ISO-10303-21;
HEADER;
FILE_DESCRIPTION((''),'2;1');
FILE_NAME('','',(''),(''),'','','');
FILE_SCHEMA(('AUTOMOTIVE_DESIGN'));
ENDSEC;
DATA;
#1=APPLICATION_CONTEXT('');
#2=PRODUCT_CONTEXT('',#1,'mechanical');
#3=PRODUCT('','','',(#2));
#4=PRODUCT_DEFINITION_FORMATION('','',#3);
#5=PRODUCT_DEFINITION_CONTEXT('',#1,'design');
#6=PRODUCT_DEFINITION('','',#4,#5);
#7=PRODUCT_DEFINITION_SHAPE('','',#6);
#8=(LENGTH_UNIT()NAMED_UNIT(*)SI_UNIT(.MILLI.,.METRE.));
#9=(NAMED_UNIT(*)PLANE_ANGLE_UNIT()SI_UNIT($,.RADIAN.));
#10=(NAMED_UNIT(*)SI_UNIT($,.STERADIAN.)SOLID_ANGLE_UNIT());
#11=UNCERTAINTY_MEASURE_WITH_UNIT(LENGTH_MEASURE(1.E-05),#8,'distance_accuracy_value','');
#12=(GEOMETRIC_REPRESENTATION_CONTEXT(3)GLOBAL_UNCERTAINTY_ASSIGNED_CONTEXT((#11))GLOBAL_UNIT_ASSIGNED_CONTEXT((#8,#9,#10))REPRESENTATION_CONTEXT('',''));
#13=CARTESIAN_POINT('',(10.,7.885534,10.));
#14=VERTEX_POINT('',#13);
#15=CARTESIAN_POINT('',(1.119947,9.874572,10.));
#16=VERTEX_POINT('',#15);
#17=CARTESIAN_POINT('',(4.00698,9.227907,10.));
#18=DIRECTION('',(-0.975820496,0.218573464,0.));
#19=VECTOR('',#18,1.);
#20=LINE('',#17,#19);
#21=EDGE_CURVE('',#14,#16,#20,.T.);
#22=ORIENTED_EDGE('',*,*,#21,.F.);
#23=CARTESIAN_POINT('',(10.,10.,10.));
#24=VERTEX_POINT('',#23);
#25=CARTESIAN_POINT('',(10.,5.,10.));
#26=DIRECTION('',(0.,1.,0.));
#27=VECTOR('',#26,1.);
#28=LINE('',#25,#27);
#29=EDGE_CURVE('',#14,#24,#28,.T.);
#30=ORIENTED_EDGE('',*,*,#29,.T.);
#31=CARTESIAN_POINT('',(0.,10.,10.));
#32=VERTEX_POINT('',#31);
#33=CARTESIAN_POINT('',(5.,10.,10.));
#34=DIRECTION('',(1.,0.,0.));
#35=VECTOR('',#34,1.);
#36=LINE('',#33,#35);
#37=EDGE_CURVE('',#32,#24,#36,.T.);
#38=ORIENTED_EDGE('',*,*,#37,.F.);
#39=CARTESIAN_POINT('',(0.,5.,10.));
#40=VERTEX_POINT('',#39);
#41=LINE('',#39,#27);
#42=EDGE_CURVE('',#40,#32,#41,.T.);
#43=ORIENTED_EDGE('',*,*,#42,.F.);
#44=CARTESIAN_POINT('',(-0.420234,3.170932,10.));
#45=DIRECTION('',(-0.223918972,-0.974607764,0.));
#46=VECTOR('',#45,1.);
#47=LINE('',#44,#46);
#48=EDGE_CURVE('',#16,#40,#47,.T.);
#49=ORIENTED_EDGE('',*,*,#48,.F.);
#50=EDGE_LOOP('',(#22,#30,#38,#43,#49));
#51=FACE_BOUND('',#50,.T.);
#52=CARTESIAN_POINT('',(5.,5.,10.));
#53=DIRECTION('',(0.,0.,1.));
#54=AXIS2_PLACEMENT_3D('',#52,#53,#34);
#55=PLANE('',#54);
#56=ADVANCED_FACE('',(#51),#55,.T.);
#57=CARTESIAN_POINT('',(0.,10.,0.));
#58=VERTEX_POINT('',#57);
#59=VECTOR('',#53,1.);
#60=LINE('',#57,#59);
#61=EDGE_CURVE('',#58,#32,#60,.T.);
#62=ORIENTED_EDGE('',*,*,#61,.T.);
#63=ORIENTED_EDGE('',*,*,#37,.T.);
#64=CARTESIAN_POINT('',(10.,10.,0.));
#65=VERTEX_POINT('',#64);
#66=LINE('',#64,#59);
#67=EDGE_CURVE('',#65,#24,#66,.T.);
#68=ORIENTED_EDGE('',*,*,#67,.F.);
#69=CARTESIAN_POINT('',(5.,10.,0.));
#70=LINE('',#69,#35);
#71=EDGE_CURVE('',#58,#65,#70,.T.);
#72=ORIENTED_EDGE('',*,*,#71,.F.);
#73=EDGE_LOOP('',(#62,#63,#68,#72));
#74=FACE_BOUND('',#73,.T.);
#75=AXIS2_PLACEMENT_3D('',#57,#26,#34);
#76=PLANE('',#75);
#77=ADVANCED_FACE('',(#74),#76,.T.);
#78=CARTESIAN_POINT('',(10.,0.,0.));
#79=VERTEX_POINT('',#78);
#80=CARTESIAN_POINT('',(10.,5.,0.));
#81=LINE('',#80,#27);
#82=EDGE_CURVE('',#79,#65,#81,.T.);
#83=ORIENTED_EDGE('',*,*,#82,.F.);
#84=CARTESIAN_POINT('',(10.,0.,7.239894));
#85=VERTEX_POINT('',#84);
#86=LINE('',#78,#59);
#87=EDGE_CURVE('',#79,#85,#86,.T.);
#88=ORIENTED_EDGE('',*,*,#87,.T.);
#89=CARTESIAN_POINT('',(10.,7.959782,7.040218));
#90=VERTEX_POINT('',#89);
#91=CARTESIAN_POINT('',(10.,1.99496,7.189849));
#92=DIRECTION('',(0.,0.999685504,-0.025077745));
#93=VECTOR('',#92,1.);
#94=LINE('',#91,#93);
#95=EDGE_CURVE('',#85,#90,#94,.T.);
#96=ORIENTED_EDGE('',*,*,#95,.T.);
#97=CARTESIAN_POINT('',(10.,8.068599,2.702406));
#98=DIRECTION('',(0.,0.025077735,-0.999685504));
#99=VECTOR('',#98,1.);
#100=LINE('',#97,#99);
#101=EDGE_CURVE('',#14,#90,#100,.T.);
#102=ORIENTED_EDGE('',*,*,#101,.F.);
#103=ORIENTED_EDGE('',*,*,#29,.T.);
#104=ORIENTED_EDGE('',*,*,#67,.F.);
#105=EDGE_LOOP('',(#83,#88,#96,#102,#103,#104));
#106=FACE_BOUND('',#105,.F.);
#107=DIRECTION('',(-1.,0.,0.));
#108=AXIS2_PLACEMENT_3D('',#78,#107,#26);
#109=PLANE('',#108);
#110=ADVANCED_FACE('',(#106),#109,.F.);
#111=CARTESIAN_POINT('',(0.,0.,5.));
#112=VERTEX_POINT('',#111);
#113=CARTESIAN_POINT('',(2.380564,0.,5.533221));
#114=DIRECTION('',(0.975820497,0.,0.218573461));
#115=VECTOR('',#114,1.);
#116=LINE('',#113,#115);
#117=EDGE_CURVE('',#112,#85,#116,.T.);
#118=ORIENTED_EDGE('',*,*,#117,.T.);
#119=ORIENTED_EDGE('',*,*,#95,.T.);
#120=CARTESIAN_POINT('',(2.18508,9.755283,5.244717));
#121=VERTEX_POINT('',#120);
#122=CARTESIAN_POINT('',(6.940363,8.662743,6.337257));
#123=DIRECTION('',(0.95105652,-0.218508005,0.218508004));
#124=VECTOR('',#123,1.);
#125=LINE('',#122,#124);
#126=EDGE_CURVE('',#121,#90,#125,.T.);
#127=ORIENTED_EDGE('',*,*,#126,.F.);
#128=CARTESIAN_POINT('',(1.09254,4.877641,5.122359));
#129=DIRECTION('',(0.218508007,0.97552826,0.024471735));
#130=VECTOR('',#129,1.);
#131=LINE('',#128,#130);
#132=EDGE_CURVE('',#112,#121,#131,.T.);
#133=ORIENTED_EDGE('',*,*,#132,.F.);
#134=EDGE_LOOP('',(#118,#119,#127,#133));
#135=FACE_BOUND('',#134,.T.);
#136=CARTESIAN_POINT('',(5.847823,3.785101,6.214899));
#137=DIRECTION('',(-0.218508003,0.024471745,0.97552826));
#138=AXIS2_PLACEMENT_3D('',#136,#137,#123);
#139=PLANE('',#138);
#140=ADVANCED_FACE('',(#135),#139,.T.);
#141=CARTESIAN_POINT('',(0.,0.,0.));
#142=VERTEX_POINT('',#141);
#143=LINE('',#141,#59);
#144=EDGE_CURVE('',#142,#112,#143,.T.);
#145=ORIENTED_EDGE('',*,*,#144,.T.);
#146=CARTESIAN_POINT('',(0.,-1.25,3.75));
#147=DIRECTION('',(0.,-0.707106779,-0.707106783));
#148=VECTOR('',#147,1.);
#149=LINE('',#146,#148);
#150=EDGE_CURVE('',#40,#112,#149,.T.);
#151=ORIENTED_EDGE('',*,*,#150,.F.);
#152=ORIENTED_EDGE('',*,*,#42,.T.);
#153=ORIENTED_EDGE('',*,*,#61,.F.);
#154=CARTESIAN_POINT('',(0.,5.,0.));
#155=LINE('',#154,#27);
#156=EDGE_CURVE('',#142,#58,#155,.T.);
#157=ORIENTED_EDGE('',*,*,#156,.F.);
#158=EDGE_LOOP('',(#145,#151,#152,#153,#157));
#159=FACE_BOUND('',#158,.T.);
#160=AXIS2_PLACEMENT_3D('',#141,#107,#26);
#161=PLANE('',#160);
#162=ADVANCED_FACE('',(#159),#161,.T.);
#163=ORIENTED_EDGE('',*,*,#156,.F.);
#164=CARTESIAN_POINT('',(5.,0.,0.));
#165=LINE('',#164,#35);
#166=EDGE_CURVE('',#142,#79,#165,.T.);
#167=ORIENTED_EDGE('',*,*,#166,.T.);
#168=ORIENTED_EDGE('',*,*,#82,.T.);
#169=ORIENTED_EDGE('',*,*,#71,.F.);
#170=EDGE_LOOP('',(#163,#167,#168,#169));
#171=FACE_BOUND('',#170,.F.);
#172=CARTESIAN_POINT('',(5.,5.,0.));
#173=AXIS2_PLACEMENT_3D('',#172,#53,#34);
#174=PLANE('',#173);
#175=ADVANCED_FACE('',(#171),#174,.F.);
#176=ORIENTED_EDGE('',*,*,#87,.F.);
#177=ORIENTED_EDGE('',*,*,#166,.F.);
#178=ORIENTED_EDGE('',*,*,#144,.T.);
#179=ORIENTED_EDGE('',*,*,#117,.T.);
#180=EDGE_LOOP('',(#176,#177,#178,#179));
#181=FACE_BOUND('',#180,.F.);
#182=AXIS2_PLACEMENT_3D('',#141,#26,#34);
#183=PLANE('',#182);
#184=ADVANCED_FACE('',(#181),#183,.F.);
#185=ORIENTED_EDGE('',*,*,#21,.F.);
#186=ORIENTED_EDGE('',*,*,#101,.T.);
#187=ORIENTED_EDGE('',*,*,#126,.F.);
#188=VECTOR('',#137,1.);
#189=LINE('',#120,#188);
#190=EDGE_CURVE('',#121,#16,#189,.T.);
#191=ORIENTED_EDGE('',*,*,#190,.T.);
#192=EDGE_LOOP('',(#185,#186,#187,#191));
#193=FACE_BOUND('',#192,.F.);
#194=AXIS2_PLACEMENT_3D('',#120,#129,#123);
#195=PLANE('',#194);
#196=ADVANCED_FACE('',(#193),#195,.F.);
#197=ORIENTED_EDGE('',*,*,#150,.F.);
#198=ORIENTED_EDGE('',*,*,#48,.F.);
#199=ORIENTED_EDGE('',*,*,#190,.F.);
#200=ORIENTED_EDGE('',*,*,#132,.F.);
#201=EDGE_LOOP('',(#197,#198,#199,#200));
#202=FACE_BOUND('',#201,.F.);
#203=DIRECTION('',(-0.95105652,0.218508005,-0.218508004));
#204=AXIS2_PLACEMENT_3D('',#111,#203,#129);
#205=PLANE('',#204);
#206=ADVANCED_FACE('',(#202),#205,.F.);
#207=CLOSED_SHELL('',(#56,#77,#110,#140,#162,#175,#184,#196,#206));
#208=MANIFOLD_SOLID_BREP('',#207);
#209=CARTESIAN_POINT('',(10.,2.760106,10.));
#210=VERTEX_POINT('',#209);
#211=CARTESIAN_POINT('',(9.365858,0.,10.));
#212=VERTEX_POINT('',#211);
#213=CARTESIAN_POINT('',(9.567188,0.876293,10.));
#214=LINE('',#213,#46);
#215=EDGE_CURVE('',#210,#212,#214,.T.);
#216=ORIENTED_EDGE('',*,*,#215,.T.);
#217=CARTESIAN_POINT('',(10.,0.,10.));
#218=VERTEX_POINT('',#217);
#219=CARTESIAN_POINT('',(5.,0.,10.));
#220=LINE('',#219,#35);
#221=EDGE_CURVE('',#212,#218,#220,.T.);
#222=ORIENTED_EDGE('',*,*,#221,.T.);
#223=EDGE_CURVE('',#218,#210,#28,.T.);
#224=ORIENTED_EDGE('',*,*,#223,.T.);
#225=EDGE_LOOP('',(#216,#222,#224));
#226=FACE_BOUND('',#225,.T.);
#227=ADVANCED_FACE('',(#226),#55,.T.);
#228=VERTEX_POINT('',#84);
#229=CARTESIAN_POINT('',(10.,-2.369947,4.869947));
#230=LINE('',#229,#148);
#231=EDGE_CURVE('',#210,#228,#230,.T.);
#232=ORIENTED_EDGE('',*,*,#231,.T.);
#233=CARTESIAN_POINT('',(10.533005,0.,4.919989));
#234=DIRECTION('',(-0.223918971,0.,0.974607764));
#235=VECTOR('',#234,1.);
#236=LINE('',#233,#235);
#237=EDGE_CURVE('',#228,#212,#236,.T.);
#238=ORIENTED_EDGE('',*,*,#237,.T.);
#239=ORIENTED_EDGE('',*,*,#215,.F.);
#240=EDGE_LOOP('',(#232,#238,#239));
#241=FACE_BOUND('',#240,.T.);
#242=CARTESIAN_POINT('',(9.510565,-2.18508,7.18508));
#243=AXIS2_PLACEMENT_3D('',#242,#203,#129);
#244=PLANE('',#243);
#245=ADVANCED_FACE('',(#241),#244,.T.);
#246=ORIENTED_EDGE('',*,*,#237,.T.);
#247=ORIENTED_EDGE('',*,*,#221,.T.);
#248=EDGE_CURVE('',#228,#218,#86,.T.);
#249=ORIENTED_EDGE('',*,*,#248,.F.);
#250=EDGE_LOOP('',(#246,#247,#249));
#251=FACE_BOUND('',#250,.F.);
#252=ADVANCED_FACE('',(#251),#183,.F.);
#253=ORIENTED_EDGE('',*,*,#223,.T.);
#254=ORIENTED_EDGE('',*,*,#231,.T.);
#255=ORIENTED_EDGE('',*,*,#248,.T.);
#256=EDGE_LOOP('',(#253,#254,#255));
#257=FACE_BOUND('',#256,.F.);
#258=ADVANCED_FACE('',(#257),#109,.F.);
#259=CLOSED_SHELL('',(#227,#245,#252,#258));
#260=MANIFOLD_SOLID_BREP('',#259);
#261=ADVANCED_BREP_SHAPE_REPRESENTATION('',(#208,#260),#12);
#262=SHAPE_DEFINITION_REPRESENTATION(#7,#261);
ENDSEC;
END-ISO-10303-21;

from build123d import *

# Parameters (mm, degrees)
BOX001_W               = 10
BOX001_H               = 10
BOX001_DEPTH           = 10
BOX001_ROLL_ANGLE      = 1.436999
BOX001_PITCH_ANGLE     = -12.621416
BOX001_PLACEMENT_ANGLE = -12.939318
BOX_W                  = 10
BOX_H                  = 10
BOX_DEPTH              = 10


with BuildPart() as cube001:
    # Box001 → Box001 (new body)
    with BuildSketch(Plane.XY):
        with Locations((5, 5)):
            Rectangle(BOX001_W, BOX001_H)
    extrude(amount=BOX001_DEPTH)


with BuildPart() as cube001_1:
    # Box001 roll: moved
    add(cube001.part.rotate(Axis((0, 0, 0), (1, 0, 0)), BOX001_ROLL_ANGLE))


with BuildPart() as cube001_2:
    # Box001 pitch: moved
    add(cube001_1.part.rotate(Axis((0, 0, 0), (0, 1, 0)), BOX001_PITCH_ANGLE))


with BuildPart() as cube001_3:
    # Box001 placement: moved
    add(cube001_2.part.moved(Location((0, 0, 5))).rotate(Axis((0, 0, 5), (0, 0, 1)), BOX001_PLACEMENT_ANGLE))


with BuildPart() as cut:
    # Box → Box (new body)
    with BuildSketch(Plane.XY):
        with Locations((5, 5)):
            Rectangle(BOX_W, BOX_H)
    extrude(amount=BOX_DEPTH)

    # Cut: cut Cube001
    add(cube001_3.part, mode=Mode.SUBTRACT)


solid = cut.part
